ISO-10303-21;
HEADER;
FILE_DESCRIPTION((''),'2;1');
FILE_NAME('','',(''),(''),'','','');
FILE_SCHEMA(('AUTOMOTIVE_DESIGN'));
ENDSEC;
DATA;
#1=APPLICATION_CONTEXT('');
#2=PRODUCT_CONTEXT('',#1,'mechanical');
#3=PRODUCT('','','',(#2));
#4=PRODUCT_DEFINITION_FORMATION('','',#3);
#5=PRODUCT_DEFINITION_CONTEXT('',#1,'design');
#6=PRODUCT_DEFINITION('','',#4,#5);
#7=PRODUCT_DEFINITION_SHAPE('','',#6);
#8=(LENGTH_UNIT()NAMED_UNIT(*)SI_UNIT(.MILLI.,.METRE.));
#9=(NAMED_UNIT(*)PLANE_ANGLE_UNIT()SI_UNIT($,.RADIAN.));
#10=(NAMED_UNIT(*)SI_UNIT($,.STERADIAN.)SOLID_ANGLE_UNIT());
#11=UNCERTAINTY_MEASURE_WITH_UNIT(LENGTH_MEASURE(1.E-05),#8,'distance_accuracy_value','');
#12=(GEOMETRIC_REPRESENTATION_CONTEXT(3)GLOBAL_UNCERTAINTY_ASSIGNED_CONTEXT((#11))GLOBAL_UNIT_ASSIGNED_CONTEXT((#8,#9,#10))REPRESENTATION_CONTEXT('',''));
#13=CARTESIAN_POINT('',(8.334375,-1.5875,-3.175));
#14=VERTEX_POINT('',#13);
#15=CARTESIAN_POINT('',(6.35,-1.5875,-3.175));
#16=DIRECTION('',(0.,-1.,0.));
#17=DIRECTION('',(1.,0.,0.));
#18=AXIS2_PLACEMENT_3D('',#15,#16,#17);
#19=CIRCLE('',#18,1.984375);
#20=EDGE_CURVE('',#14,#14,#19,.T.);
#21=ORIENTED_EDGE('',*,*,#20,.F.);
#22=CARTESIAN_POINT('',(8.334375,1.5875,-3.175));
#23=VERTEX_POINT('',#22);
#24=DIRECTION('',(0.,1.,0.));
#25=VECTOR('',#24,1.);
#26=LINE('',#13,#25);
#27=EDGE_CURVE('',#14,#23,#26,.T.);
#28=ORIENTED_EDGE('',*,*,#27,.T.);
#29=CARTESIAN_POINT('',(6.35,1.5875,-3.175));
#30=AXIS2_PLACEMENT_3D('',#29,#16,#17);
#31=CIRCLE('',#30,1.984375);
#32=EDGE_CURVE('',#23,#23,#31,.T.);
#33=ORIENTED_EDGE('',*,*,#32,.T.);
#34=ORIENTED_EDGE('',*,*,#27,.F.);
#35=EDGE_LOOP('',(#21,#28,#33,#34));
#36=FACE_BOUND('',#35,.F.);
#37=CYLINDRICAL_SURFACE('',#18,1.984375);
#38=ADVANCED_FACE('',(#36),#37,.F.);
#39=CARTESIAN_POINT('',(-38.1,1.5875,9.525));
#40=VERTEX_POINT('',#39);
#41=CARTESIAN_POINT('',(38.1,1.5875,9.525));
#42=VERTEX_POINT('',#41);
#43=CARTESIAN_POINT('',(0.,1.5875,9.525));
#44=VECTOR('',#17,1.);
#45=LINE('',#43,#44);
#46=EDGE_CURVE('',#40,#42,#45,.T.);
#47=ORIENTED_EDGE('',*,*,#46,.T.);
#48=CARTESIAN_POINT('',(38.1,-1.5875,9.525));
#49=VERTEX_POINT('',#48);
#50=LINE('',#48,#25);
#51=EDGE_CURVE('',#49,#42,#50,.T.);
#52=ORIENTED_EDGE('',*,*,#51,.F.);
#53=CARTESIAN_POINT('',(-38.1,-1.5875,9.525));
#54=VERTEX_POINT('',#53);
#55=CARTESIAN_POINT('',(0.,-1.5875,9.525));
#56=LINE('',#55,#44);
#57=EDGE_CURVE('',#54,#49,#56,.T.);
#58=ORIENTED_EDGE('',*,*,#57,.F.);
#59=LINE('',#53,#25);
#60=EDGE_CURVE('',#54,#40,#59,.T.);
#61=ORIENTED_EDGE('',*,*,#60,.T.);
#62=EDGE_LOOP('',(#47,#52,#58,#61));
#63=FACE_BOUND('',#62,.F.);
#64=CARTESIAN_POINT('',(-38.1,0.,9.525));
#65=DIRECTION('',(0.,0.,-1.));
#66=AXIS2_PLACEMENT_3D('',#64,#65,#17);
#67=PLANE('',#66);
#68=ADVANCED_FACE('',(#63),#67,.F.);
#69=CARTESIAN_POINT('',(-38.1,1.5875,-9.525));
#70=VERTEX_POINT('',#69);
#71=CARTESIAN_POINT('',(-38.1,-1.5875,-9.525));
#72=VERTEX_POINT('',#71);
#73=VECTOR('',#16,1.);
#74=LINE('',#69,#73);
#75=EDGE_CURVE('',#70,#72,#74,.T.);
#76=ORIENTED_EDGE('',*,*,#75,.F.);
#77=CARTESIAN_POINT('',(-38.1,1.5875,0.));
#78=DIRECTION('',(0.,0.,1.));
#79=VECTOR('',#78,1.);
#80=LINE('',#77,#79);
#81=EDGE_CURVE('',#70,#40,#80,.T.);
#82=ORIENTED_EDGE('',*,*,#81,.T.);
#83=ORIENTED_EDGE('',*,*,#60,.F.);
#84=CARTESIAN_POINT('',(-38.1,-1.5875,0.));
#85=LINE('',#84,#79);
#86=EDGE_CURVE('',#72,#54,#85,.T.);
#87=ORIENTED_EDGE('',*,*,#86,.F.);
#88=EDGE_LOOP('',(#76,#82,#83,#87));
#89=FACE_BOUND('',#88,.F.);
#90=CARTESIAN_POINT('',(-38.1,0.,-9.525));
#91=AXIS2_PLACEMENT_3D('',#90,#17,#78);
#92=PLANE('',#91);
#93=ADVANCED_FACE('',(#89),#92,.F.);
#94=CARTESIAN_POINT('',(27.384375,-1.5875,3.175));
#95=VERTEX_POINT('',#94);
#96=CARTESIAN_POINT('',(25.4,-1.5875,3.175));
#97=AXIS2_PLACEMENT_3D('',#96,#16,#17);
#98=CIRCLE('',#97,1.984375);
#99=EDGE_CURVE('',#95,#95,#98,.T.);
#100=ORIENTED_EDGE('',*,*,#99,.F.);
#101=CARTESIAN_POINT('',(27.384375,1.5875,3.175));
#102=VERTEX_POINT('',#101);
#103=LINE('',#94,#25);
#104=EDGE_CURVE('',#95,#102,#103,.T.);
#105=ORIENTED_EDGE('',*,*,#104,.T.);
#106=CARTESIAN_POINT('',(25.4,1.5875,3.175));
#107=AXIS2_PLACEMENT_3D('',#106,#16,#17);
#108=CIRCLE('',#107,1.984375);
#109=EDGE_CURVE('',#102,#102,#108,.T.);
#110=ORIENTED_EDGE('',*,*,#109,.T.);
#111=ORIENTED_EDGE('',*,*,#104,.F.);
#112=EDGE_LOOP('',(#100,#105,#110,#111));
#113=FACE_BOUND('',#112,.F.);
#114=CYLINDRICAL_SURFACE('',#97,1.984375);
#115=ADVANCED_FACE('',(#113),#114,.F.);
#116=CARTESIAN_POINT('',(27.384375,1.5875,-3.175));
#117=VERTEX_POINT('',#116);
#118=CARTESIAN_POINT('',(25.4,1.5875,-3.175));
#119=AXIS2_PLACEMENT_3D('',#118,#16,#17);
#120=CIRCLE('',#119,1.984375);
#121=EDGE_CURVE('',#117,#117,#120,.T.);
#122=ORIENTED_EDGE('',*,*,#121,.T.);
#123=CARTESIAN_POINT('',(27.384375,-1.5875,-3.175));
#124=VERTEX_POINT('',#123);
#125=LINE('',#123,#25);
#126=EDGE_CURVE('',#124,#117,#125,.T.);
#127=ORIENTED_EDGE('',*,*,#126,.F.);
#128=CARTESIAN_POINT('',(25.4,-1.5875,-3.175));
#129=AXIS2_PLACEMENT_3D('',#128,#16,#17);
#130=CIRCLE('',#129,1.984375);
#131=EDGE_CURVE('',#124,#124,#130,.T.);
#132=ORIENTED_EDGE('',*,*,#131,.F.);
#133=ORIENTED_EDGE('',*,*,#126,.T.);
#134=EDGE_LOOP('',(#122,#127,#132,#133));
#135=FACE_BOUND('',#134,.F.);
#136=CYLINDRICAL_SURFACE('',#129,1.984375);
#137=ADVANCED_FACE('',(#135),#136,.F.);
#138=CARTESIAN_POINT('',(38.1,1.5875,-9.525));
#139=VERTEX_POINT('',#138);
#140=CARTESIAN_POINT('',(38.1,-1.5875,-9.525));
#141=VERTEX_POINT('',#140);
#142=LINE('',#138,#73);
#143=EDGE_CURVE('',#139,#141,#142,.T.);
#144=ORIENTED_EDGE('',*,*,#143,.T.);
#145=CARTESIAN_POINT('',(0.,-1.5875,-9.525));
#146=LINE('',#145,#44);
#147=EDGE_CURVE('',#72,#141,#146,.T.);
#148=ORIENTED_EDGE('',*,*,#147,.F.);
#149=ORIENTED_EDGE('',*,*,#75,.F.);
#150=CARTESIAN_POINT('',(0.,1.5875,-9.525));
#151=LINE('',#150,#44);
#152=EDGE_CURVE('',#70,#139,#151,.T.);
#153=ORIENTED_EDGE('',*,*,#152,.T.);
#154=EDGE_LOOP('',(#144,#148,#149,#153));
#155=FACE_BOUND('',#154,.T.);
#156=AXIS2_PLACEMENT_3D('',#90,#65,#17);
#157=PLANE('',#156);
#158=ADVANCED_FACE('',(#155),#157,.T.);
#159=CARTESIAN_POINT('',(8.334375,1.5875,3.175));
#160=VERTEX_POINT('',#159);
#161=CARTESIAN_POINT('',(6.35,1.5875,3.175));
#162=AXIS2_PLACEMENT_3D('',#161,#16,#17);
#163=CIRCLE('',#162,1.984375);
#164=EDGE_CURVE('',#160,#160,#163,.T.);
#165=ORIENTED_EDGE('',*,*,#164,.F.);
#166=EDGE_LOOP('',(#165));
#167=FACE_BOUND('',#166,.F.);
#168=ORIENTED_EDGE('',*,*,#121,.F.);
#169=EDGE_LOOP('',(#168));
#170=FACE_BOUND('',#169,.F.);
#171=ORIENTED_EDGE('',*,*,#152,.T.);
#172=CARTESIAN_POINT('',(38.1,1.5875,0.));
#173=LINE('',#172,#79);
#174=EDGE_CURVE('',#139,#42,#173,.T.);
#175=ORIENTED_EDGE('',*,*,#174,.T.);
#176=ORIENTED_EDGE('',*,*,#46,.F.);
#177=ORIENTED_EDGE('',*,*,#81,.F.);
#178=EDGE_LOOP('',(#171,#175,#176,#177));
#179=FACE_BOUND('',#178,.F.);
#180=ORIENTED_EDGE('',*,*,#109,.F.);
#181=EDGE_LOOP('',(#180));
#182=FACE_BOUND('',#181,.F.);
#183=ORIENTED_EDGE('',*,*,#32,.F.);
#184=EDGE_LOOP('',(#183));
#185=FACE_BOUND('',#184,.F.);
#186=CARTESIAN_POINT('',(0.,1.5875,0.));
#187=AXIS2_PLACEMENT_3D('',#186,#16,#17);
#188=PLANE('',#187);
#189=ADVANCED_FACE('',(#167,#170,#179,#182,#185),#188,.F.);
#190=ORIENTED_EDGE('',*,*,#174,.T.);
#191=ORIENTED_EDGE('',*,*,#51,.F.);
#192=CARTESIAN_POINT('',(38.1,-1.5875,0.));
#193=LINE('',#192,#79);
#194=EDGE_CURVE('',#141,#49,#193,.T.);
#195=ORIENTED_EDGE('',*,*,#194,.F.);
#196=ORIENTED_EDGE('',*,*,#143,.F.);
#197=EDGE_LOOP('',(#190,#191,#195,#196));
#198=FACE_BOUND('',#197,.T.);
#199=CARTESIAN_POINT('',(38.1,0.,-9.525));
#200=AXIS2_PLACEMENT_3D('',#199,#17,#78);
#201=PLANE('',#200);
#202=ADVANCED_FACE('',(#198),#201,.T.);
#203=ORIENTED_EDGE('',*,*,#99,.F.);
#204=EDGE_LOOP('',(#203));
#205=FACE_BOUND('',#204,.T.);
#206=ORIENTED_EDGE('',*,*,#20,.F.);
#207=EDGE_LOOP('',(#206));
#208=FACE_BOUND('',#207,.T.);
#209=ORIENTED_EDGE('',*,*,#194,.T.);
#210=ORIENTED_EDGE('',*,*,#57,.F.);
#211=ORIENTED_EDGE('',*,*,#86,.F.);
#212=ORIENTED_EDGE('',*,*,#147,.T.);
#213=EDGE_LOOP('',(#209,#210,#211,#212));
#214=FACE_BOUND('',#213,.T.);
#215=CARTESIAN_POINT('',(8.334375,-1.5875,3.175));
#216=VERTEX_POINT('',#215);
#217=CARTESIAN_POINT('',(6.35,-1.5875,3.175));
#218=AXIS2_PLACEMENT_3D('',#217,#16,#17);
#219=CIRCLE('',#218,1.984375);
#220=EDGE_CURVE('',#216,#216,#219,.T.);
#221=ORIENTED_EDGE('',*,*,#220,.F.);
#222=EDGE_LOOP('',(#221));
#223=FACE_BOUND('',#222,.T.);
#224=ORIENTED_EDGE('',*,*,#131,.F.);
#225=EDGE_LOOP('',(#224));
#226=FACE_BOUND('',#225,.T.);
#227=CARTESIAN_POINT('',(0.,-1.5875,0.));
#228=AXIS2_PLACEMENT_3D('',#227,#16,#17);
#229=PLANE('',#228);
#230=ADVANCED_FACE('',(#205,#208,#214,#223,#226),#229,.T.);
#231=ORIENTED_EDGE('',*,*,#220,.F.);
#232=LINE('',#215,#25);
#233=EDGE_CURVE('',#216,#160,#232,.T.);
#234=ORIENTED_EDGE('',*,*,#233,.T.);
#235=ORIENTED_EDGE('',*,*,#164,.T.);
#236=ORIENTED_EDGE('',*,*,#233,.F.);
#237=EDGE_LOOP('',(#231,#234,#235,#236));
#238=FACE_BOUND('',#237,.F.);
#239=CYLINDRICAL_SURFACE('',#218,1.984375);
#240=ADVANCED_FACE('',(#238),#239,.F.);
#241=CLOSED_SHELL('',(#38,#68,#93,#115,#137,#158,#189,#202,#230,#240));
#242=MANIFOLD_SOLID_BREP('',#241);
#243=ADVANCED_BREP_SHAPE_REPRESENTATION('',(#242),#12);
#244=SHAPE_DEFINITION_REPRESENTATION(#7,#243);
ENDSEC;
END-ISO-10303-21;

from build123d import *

# Parameters (mm, degrees)
F0_W     = 76.2
F0_H     = 19.05
F1_DEPTH = 1.5875
F2_R     = 1.984375
F3_DEPTH = 3.176


with BuildPart() as f1:
    # F0 (on Front) → F1 (new body, symmetric)
    with BuildSketch(Plane.XZ):
        Rectangle(F0_W, F0_H)
    extrude(amount=F1_DEPTH, both=True)

    # F2 (on face) → F3 (cut, through all)
    with BuildSketch(Plane.XZ.offset(1.5875)):
        with Locations((25.4, 3.175)):
            Circle(F2_R)
        with Locations((25.4, -3.175)):
            Circle(F2_R)
        with Locations((6.35, 3.175)):
            Circle(F2_R)
        with Locations((6.35, -3.175)):
            Circle(F2_R)
    extrude(amount=-F3_DEPTH, mode=Mode.SUBTRACT)


solid = f1.part
